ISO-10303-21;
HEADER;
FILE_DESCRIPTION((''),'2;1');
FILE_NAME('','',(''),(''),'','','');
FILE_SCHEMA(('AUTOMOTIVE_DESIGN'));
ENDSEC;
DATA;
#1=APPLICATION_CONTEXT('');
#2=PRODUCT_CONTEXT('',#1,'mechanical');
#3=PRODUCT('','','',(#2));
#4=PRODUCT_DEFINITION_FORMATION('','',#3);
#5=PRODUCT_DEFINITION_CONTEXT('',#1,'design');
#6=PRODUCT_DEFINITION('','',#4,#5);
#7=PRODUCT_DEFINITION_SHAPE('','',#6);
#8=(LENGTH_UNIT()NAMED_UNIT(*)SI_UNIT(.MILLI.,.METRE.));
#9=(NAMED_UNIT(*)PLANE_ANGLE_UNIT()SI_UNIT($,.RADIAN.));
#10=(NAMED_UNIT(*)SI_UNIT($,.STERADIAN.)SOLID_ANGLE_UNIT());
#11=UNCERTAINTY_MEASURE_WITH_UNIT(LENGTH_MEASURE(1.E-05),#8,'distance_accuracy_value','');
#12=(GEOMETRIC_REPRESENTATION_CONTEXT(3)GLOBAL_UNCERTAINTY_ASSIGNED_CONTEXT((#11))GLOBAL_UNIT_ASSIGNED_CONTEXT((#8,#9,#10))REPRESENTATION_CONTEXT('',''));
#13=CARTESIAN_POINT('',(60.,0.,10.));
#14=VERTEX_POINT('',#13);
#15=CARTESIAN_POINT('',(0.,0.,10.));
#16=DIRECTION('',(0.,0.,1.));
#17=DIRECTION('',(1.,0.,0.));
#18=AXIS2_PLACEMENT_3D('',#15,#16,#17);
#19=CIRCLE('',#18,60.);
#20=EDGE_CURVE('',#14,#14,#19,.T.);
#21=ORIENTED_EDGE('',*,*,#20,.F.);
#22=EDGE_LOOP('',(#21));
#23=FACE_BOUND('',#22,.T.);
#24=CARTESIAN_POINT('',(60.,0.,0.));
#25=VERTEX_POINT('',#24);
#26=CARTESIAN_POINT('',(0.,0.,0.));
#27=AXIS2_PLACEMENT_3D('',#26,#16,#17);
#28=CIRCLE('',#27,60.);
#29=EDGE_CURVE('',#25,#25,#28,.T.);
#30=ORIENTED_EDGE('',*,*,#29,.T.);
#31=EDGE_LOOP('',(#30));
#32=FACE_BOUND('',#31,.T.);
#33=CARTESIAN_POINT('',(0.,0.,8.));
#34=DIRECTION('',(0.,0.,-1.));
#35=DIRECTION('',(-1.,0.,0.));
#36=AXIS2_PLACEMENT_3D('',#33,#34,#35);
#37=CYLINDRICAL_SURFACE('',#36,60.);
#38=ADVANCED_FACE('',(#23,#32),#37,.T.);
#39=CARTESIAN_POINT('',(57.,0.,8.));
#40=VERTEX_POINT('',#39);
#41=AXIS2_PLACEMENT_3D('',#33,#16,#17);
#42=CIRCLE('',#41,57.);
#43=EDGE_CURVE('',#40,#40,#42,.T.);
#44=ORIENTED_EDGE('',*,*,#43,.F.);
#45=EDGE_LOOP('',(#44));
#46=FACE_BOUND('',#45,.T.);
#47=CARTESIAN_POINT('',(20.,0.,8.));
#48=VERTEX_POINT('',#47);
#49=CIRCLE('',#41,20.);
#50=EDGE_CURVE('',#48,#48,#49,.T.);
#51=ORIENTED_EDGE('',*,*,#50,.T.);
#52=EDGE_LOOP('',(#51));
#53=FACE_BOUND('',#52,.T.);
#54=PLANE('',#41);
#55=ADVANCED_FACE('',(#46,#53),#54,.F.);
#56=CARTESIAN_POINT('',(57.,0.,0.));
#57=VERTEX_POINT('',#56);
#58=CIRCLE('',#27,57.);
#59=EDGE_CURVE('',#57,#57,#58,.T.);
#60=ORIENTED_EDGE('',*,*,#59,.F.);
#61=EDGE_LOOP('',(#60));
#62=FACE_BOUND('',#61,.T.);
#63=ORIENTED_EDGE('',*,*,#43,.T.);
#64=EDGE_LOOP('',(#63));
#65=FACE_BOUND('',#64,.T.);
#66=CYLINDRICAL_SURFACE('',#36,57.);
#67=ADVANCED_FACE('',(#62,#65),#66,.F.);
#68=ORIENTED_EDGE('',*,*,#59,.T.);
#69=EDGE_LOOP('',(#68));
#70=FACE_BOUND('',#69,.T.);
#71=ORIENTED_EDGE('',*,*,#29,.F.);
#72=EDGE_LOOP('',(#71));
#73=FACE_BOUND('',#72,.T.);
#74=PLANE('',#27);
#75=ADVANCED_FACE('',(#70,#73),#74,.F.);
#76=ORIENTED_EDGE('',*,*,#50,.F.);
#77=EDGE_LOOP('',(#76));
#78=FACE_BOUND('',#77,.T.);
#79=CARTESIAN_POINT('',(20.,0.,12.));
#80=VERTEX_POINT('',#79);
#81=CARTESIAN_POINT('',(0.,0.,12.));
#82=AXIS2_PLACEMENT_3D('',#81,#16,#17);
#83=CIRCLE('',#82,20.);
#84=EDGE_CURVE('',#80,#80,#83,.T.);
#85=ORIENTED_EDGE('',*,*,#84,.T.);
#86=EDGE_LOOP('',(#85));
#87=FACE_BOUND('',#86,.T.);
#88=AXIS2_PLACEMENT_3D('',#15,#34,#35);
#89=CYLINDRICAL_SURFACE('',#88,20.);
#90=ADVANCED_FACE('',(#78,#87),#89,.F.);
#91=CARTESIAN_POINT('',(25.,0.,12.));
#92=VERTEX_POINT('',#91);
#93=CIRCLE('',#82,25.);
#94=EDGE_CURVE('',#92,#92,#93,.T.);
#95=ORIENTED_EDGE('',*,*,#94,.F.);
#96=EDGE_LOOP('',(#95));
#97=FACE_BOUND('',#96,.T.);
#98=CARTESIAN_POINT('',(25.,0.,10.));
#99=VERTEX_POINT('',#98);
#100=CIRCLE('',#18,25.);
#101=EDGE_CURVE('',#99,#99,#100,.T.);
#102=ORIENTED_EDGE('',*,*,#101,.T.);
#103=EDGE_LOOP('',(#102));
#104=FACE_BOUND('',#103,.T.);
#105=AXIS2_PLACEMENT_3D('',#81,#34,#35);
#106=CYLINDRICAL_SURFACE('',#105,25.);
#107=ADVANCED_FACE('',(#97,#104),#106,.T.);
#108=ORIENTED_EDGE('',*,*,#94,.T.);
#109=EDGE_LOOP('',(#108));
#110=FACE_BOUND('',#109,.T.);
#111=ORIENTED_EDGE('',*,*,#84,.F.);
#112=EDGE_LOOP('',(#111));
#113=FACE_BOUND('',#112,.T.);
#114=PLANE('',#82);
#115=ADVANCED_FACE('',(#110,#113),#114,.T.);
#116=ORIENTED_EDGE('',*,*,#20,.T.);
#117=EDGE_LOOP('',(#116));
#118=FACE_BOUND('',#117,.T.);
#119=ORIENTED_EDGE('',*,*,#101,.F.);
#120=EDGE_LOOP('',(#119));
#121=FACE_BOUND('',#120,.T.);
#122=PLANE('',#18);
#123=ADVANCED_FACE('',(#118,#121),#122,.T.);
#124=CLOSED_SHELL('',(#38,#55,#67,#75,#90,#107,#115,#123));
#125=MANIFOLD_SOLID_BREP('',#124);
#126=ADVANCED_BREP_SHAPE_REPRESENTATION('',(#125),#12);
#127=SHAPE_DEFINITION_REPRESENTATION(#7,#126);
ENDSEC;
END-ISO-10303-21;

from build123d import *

# Parameters (mm, degrees)
SKETCH_1_R      = 60
SKETCH_1_R_2    = 57
EXTRUDE_1_DEPTH = 8
SKETCH_2_R      = 60
SKETCH_2_R_2    = 20
EXTRUDE_2_DEPTH = 2
SKETCH_3_R      = 25
SKETCH_3_R_2    = 20
EXTRUDE_3_DEPTH = 2


with BuildPart() as part:
    # 草图1 → 拉伸-薄壁1 (new body)
    with BuildSketch(Plane.XY):
        Circle(SKETCH_1_R)
        Circle(SKETCH_1_R_2, mode=Mode.SUBTRACT)
    extrude(amount=EXTRUDE_1_DEPTH)

    # 草图2 → 拉伸-薄壁2 (add)
    with BuildSketch(Plane.XY.offset(8)):
        Circle(SKETCH_2_R)
        Circle(SKETCH_2_R_2, mode=Mode.SUBTRACT)
    extrude(amount=EXTRUDE_2_DEPTH)

    # 草图3 → 拉伸-薄壁3 (add)
    with BuildSketch(Plane.XY.offset(10)):
        Circle(SKETCH_3_R)
        Circle(SKETCH_3_R_2, mode=Mode.SUBTRACT)
    extrude(amount=EXTRUDE_3_DEPTH)


solid = part.part
